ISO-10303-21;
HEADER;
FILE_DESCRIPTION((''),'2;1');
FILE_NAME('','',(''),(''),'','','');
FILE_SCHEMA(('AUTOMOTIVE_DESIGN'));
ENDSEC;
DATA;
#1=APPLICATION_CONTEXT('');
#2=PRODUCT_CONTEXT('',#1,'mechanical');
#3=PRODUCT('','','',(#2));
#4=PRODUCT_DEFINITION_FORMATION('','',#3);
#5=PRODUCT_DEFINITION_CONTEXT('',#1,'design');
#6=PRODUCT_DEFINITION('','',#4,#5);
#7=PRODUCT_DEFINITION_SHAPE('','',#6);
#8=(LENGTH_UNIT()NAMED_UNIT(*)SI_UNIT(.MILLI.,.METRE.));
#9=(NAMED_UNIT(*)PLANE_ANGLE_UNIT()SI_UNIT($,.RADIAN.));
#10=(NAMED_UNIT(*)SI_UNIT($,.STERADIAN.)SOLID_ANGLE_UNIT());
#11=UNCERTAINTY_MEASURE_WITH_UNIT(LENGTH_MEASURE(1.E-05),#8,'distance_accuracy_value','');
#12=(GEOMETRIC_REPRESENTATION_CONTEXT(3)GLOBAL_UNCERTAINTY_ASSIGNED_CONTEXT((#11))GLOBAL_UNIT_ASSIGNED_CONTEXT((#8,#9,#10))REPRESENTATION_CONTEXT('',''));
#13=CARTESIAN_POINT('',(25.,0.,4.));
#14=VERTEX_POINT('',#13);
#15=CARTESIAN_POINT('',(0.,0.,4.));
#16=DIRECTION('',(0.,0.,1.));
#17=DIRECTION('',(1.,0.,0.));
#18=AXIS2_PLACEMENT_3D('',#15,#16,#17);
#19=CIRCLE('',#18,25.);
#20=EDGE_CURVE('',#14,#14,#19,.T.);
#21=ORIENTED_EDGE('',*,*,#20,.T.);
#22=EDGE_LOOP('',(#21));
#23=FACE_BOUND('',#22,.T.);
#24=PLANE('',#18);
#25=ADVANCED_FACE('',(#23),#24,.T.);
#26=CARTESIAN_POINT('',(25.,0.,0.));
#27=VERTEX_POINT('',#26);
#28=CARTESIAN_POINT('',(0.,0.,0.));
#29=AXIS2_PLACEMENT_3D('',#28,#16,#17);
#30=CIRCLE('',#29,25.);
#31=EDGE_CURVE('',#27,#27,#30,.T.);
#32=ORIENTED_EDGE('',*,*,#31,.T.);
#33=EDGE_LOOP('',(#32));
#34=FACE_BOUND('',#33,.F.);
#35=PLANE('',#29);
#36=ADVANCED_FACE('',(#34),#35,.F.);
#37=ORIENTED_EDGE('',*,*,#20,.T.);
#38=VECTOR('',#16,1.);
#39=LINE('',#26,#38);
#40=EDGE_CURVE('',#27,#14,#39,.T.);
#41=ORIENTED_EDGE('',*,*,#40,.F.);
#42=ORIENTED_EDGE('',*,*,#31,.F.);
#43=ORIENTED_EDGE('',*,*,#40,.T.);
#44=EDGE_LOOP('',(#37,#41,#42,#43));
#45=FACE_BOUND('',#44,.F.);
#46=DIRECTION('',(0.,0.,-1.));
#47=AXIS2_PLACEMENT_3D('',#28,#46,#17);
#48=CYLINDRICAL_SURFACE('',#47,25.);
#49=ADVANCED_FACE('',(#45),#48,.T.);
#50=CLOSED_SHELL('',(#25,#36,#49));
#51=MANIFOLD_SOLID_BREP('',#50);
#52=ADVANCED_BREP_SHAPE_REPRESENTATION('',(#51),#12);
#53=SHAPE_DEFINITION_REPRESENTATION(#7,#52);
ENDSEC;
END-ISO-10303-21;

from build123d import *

# Parameters (mm, degrees)
SKETCH_1_R      = 25
EXTRUDE_1_DEPTH = 4


with BuildPart() as part:
    # 草图1 → 凸台-拉伸1 (new body)
    with BuildSketch(Plane.XY):
        Circle(SKETCH_1_R)
    extrude(amount=EXTRUDE_1_DEPTH)


solid = part.part
